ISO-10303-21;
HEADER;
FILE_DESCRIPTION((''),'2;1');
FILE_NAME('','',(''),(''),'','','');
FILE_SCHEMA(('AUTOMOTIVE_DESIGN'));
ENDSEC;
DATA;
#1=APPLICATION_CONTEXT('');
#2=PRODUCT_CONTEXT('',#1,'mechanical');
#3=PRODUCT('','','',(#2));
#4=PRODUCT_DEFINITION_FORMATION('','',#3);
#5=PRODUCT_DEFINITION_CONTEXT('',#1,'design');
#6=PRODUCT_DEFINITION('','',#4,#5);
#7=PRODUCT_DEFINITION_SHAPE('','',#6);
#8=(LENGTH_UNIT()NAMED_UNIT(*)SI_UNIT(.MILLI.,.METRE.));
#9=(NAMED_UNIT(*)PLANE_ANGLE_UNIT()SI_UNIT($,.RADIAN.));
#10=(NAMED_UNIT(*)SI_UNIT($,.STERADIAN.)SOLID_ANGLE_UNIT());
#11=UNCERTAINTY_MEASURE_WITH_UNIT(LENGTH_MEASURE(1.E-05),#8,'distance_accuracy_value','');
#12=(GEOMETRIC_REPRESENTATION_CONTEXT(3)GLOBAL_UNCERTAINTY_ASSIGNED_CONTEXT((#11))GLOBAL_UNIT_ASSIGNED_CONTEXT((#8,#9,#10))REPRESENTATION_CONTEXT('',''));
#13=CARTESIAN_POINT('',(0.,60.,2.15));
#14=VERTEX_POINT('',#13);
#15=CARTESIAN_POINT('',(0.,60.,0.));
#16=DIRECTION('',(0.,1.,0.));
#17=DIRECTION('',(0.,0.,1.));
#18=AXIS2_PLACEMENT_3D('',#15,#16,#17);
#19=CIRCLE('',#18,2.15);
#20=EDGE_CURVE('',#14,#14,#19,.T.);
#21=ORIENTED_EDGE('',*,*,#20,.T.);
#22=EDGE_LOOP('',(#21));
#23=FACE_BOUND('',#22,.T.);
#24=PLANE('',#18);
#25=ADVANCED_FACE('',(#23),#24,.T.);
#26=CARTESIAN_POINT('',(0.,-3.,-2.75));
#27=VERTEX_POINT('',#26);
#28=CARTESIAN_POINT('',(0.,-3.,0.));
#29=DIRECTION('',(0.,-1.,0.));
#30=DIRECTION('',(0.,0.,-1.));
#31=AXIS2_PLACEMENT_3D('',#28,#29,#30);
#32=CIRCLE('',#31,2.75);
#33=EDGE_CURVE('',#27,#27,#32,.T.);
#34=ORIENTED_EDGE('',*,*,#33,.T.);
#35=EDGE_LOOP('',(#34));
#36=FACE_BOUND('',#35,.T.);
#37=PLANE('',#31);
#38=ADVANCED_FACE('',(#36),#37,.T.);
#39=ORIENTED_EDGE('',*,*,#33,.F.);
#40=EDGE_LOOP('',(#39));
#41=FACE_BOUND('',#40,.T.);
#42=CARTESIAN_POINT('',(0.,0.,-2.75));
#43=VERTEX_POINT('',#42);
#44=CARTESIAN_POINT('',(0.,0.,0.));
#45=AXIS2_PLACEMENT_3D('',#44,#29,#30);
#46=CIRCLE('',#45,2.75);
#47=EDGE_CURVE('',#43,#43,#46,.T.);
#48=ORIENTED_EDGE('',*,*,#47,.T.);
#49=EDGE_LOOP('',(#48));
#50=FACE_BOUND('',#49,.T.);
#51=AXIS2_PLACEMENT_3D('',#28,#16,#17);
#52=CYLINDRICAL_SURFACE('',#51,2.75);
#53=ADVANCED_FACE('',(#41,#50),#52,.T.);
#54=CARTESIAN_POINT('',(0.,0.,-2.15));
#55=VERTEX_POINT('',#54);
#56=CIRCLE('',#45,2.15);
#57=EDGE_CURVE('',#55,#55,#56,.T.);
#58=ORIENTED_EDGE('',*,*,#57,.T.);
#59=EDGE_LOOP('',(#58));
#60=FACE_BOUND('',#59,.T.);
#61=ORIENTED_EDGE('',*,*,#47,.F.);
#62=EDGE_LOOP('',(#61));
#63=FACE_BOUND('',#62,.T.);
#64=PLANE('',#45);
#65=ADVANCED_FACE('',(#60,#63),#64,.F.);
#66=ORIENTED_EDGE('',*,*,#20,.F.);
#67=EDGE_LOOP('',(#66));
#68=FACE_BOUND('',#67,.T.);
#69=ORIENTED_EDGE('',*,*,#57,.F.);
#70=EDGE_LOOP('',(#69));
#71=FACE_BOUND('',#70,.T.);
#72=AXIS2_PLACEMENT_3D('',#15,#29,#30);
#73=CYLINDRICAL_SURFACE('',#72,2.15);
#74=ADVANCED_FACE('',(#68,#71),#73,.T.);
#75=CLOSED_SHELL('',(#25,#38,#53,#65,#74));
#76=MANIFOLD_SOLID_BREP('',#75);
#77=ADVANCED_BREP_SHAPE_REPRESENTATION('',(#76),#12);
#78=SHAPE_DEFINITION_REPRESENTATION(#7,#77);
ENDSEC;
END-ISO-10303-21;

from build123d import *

# Parameters (mm, degrees)
SKETCH1_R           = 2.15
BOSS_EXTRUDE1_DEPTH = 60
SKETCH2_R           = 2.75
BOSS_EXTRUDE2_DEPTH = 3


with BuildPart() as part:
    # Sketch1 → Boss-Extrude1 (new body)
    with BuildSketch(Plane(origin=(0, 0, 0), x_dir=(1, 0, 0), z_dir=(0, 1, 0))):
        Circle(SKETCH1_R)
    extrude(amount=BOSS_EXTRUDE1_DEPTH)

    # Sketch2 → Boss-Extrude2 (add)
    with BuildSketch(Plane.XZ):
        Circle(SKETCH2_R)
    extrude(amount=BOSS_EXTRUDE2_DEPTH)


solid = part.part
